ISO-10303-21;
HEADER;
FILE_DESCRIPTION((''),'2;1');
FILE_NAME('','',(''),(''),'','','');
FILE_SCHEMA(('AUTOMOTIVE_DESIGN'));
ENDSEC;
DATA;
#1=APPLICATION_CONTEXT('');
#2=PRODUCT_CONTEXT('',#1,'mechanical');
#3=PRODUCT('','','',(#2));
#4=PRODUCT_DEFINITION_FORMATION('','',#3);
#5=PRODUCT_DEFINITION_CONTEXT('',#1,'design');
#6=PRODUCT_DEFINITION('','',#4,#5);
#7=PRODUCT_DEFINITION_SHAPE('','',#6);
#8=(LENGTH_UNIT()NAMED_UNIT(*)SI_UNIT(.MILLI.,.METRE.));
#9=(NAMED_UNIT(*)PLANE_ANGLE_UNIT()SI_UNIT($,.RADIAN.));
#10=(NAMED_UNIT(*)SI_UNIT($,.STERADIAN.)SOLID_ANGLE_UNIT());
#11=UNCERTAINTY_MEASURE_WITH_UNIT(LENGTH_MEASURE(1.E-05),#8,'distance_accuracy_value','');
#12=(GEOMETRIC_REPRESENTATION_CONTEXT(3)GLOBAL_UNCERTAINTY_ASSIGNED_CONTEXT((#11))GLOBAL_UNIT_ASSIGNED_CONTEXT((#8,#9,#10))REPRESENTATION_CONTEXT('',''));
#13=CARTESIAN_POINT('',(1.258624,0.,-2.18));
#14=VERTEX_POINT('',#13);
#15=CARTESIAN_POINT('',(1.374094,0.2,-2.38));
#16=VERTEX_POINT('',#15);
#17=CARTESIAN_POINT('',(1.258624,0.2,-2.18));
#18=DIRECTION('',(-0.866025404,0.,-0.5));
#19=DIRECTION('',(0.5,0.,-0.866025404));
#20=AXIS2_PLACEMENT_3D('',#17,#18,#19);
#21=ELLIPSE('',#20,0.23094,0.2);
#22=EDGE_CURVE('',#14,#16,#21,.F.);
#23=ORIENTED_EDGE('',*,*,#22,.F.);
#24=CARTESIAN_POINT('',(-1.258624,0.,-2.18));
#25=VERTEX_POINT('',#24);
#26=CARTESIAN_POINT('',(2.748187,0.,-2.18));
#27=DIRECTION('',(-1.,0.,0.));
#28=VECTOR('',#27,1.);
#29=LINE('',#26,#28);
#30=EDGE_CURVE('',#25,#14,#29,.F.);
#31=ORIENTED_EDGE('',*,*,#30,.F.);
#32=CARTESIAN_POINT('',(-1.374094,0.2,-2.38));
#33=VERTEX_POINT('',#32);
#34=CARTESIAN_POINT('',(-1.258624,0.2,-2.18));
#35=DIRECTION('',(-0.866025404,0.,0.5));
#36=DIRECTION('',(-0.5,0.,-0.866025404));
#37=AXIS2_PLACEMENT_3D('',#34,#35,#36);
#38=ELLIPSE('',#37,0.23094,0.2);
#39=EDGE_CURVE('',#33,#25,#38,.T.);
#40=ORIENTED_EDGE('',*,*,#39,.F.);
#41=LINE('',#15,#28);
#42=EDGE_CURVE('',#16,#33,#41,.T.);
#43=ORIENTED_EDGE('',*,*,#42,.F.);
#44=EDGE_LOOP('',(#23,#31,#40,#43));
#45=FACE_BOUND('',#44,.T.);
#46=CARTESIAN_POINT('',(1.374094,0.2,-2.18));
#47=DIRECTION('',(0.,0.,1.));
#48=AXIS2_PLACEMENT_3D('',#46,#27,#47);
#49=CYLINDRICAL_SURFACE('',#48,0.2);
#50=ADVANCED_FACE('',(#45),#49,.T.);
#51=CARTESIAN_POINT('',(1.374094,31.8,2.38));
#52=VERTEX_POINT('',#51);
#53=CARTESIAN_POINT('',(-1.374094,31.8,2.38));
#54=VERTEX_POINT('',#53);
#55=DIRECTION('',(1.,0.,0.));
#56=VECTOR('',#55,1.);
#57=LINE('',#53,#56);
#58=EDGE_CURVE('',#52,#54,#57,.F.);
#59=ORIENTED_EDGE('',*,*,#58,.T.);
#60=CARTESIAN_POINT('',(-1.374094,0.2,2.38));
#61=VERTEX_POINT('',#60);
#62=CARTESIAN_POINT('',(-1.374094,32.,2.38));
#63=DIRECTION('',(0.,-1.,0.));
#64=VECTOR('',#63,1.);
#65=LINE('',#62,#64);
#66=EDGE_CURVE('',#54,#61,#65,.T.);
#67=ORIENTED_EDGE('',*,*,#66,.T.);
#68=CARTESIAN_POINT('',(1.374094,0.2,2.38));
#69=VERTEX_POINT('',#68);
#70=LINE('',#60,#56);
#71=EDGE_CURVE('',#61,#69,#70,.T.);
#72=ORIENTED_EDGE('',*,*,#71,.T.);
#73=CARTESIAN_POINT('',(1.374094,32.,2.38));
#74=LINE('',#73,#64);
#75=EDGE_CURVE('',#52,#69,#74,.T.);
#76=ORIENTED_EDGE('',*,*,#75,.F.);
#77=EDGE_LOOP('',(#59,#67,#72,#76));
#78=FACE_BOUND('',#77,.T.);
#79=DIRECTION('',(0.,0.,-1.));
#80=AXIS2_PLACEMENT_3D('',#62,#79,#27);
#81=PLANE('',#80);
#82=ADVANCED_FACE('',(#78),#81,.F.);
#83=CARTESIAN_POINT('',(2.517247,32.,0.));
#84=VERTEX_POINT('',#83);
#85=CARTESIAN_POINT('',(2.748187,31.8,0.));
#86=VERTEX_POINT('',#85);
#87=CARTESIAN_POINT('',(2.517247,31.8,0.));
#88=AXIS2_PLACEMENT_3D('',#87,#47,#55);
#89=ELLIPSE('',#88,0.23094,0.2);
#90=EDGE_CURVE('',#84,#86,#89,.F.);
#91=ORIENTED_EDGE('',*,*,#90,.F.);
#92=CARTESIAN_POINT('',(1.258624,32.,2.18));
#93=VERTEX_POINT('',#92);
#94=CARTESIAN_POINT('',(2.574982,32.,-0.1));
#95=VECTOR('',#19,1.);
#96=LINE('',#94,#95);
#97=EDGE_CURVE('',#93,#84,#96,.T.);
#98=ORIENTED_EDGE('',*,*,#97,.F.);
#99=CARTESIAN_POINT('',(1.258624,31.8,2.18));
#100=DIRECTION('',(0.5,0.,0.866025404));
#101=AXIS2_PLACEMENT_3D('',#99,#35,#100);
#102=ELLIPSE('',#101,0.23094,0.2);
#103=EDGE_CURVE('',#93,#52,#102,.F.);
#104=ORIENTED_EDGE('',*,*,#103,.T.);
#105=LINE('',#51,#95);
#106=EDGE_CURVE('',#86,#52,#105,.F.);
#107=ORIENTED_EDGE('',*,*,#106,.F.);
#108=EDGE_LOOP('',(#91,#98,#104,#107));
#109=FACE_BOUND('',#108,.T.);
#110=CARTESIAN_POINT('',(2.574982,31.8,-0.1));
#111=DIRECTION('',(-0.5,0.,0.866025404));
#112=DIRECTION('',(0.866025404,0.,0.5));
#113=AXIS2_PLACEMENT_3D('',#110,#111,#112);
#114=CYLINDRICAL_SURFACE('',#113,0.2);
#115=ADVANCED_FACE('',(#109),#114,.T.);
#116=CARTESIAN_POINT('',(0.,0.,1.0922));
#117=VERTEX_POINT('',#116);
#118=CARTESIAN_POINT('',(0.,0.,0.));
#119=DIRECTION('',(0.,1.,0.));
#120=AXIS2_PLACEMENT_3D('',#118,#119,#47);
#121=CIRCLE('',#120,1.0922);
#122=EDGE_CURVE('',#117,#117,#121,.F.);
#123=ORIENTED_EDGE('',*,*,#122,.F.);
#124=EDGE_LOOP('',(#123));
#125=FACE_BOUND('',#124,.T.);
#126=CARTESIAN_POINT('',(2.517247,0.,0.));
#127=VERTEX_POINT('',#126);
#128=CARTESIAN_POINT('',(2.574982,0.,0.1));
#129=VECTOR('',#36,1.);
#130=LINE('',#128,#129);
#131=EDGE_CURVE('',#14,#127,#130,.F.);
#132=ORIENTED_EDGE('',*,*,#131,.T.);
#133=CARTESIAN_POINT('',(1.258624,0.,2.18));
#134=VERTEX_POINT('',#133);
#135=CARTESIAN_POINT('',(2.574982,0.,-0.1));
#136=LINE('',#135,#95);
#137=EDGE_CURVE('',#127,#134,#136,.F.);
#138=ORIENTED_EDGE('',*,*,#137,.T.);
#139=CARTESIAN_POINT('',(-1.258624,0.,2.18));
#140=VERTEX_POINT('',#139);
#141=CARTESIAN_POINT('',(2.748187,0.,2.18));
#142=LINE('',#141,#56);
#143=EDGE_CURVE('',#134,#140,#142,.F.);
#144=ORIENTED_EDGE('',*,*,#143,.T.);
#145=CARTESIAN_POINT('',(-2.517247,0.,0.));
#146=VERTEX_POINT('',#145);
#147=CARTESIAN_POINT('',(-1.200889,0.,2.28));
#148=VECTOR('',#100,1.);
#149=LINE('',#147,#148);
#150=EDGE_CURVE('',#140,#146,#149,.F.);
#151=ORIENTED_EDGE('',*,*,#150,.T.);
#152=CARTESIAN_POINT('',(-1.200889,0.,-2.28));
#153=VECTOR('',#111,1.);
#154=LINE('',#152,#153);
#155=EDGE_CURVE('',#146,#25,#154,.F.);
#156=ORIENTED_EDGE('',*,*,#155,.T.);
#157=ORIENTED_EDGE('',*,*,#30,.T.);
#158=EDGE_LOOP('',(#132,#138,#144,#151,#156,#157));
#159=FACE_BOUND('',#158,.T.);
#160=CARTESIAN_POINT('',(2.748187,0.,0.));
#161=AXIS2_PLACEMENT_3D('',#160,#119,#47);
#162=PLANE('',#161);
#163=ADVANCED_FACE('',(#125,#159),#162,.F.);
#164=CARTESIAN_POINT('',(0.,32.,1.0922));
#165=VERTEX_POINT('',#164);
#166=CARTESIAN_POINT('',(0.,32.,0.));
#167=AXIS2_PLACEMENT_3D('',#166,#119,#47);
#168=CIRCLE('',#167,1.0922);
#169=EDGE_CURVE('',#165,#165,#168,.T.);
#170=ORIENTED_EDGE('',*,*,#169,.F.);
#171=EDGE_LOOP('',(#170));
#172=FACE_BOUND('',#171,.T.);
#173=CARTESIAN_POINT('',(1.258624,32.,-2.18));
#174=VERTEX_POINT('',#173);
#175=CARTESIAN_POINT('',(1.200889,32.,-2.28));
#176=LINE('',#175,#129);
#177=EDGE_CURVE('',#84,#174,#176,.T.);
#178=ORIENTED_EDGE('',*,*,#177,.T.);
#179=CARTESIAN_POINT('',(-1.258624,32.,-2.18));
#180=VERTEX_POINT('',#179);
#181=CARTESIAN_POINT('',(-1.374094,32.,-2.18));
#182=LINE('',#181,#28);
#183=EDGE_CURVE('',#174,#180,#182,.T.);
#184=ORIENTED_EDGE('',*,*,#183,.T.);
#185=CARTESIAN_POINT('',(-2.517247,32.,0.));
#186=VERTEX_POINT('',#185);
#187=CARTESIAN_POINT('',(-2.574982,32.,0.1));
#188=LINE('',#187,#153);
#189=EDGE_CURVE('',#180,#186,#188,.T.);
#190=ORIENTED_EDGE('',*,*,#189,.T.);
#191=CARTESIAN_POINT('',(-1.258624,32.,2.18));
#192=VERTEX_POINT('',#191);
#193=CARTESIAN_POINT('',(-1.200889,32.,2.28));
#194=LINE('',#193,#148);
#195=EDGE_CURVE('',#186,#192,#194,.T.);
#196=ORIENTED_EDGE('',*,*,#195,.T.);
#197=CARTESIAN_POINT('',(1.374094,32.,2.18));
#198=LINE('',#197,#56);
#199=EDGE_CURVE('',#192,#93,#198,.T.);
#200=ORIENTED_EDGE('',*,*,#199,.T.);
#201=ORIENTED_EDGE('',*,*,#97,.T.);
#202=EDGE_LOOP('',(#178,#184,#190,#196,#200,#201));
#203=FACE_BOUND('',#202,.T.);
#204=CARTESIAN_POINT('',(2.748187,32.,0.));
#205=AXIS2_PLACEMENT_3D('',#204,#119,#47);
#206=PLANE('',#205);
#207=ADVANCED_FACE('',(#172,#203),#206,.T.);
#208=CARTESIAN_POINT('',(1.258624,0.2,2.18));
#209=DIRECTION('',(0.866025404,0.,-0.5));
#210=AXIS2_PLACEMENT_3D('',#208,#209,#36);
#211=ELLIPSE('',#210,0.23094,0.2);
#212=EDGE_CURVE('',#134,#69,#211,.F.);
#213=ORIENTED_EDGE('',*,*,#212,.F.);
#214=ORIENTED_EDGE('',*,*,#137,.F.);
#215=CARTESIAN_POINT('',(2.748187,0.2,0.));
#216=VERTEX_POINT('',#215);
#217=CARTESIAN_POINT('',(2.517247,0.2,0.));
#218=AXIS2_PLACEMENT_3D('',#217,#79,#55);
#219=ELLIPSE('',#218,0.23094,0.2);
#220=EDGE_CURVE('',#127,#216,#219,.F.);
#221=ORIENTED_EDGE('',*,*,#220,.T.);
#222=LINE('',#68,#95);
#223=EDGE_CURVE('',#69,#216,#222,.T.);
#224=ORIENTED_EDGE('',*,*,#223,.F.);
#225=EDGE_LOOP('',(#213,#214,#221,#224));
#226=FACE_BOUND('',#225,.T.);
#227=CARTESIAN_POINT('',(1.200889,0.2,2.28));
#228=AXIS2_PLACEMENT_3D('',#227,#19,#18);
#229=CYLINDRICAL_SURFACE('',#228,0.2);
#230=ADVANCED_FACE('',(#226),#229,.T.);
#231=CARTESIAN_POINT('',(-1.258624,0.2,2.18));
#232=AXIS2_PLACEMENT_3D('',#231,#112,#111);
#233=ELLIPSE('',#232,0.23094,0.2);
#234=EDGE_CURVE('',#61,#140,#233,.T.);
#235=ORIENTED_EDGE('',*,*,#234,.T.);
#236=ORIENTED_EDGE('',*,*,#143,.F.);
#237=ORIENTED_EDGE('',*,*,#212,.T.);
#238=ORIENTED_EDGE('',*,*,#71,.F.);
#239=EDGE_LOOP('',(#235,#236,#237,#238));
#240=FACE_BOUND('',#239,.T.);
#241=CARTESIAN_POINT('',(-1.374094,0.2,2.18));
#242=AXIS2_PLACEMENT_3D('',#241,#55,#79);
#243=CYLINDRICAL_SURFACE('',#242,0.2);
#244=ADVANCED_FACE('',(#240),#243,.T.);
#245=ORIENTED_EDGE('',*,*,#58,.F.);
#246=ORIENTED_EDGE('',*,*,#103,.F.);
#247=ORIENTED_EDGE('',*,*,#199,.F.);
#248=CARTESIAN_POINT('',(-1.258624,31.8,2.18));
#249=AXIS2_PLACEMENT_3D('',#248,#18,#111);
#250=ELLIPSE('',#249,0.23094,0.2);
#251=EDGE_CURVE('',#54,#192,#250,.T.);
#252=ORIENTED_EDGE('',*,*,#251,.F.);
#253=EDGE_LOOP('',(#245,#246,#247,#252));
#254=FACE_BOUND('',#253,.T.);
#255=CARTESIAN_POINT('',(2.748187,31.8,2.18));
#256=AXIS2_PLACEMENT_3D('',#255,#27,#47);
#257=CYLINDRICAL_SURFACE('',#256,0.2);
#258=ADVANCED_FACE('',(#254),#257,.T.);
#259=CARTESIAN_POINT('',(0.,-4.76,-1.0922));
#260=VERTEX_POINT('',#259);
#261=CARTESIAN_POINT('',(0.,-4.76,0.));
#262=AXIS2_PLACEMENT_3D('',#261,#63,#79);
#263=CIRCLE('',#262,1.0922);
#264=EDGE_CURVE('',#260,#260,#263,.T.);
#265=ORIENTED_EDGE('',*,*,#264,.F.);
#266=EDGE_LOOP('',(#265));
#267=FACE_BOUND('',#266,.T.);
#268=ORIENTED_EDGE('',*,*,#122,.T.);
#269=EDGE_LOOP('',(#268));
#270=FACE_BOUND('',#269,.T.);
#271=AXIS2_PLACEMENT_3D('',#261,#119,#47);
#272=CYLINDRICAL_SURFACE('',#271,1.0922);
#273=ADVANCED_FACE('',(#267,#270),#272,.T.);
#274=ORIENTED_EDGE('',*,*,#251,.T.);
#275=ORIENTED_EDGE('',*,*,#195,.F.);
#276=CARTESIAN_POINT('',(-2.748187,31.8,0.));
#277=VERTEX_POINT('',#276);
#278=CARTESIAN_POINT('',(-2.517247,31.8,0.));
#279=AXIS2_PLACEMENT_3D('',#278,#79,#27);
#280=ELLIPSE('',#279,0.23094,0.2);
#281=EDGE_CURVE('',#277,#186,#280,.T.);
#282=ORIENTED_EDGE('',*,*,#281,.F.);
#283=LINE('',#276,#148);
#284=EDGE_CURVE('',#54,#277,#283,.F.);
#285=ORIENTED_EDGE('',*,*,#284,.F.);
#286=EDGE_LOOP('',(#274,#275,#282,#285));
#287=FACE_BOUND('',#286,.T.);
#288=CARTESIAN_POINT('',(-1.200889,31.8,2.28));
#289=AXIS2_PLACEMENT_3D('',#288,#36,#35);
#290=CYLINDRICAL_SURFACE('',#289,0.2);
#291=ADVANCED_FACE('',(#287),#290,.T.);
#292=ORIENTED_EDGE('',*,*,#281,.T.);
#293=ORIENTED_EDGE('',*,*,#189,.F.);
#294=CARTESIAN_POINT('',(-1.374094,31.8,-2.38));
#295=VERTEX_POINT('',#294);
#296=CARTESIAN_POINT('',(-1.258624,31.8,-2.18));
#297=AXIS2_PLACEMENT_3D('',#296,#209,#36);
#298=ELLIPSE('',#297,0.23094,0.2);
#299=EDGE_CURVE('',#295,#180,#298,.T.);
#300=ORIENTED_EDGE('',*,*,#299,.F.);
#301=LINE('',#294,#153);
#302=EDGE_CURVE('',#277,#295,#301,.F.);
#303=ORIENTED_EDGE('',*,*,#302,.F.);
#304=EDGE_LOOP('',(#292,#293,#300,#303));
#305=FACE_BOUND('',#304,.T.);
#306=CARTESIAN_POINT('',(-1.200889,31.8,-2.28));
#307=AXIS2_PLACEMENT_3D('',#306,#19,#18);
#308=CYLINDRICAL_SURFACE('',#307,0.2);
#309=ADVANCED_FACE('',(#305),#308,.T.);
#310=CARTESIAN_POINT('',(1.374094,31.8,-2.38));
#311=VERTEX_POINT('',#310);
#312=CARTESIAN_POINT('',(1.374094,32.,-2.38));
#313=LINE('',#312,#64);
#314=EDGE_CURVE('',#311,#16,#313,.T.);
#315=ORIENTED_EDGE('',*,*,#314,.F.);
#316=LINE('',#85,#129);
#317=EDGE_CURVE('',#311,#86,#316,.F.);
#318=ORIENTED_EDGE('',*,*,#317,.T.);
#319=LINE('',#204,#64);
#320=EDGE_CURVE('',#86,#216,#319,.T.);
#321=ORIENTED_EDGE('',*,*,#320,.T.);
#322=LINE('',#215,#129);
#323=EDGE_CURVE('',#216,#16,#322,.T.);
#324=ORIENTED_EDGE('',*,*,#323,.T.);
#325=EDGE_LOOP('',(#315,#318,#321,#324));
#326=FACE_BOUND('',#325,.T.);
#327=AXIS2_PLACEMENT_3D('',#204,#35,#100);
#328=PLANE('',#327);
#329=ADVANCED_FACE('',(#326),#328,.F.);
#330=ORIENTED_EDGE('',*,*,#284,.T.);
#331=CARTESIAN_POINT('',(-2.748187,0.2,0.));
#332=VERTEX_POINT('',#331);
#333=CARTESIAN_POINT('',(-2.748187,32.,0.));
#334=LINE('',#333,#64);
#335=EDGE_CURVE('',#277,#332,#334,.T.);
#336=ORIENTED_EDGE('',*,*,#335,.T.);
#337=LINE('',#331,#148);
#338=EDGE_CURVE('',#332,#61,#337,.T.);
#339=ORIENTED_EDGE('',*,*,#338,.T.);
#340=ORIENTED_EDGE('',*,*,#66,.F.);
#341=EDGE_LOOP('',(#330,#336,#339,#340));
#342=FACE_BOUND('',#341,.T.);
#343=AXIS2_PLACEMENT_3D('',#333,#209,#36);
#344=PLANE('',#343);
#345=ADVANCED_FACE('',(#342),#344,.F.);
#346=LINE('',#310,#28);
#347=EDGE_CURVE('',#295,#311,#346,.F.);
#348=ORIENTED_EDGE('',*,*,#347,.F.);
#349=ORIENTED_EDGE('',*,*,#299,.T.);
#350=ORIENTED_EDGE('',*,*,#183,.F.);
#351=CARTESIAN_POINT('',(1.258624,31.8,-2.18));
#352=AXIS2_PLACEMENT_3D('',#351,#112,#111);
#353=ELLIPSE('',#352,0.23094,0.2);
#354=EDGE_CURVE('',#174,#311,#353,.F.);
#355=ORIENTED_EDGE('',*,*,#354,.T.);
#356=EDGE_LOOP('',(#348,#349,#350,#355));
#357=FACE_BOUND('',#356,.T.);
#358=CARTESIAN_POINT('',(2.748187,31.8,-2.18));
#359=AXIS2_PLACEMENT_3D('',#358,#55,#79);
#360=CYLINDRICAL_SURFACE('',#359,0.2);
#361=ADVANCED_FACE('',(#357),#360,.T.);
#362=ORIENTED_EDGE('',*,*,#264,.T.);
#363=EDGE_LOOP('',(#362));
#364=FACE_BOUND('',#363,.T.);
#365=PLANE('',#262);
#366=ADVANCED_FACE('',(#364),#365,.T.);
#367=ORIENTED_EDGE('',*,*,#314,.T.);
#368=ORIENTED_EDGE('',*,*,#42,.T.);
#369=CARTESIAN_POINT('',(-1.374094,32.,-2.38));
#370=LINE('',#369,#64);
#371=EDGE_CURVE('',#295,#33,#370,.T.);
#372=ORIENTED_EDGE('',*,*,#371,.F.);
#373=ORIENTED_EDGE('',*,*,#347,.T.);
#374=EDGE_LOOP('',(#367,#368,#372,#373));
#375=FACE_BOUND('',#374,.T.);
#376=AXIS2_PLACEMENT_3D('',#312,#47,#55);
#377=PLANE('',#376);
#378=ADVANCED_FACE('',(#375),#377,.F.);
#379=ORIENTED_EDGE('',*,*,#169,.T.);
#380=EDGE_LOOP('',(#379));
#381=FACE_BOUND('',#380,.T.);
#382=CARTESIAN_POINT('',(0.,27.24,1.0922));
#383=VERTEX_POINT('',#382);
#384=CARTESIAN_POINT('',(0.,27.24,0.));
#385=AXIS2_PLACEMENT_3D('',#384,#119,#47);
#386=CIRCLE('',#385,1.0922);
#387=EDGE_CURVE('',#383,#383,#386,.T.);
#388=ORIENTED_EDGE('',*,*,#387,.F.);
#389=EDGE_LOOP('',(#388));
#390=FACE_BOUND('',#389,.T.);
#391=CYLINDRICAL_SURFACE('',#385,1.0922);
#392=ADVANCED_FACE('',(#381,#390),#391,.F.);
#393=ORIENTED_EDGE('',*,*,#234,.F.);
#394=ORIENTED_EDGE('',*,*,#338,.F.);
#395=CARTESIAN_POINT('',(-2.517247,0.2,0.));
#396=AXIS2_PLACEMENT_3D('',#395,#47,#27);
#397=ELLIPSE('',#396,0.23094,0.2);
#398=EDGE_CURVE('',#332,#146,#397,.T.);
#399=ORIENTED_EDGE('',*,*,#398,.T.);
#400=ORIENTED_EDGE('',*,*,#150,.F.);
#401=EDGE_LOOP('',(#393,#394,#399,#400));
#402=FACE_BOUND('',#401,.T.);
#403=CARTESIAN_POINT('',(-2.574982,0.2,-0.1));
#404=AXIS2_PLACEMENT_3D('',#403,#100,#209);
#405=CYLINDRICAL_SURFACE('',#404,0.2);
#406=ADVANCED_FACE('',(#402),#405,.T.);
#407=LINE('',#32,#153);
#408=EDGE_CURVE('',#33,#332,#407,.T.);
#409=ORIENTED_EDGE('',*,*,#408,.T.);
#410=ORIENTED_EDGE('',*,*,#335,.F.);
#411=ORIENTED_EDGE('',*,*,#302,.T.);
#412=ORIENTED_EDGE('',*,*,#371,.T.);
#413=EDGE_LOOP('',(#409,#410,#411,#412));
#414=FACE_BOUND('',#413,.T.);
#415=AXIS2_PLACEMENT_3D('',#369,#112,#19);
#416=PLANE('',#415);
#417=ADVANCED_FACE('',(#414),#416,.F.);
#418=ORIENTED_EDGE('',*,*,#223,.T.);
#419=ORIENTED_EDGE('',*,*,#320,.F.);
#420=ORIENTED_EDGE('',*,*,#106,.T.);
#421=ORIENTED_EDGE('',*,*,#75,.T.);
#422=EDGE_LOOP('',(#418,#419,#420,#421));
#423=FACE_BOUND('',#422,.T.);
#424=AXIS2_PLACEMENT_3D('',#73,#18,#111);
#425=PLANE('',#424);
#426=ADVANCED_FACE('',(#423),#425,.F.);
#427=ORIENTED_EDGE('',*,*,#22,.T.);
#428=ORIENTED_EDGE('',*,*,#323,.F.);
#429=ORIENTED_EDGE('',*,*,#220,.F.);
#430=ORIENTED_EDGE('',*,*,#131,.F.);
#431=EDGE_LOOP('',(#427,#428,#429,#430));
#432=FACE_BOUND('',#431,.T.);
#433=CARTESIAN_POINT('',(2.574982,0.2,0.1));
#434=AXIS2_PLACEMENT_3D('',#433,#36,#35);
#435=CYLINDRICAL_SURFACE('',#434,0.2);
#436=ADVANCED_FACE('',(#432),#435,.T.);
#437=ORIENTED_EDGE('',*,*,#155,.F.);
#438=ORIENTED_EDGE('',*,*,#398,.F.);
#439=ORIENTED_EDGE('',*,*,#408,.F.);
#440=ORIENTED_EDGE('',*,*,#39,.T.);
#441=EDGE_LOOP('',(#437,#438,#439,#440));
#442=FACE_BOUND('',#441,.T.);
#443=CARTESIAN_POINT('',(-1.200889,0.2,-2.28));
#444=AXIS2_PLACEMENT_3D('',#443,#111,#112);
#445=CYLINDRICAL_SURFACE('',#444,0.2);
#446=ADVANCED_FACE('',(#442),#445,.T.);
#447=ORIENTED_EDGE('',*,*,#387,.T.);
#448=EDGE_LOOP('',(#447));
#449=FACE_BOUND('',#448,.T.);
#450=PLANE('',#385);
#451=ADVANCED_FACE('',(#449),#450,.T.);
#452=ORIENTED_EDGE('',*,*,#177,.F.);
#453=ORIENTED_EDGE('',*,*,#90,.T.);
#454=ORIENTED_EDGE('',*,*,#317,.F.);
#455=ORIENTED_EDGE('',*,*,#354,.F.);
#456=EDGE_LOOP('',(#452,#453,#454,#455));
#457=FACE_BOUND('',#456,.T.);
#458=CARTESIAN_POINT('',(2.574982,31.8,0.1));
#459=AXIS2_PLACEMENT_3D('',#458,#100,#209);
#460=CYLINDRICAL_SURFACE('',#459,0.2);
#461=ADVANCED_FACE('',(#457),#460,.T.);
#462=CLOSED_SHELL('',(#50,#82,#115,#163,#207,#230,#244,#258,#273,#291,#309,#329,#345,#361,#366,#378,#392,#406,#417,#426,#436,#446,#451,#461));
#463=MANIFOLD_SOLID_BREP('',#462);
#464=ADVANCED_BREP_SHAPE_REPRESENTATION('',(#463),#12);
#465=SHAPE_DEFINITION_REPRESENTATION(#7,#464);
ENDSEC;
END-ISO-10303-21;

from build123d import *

# Parameters (mm, degrees)
RESSALTO_EXTRUS_O1_DEPTH = 32
FILETE1_R                = 0.2
ESBO_O2_R                = 1.0922
RESSALTO_EXTRUS_O2_DEPTH = 4.76
ESBO_O3_R                = 1.0922
CORTE_EXTRUS_O1_DEPTH    = 4.76


with BuildPart() as part:
    # Esboço1 → Ressalto-extrusão1 (new body)
    with BuildSketch(Plane(origin=(0, 0, 0), x_dir=(1, 0, 0), z_dir=(0, 1, 0))):
        Polygon((2.748187281, 0), (1.374093641, 2.38), (-1.374093641, 2.38), (-2.748187281, 0), (-1.374093641, -2.38), (1.374093641, -2.38), align=None)
    extrude(amount=RESSALTO_EXTRUS_O1_DEPTH)

    # Filete1
    filete1_edges = [part.edges().sort_by_distance(p)[0] for p in [
        (0, 32, -2.38),
        (-2.061140461, 32, -1.19),
        (-2.061140461, 32, 1.19),
        (0, 32, 2.38),
        (2.061140461, 32, 1.19),
        (0, 0, 2.38),
        (-2.061140461, 0, 1.19),
        (-2.061140461, 0, -1.19),
        (2.061140461, 32, -1.19),
        (0, 0, -2.38),
        (2.061140461, 0, -1.19),
        (2.061140461, 0, 1.19),
    ]]
    fillet(filete1_edges, radius=FILETE1_R)

    # Esboço2 → Ressalto-extrusão2 (add)
    with BuildSketch(Plane.XZ):
        Circle(ESBO_O2_R)
    extrude(amount=RESSALTO_EXTRUS_O2_DEPTH)

    # Esboço3 → Corte-extrusão1 (cut)
    with BuildSketch(Plane(origin=(0, 32, 0), x_dir=(1, 0, 0), z_dir=(0, 1, 0))):
        Circle(ESBO_O3_R)
    extrude(amount=-CORTE_EXTRUS_O1_DEPTH, mode=Mode.SUBTRACT)


solid = part.part
